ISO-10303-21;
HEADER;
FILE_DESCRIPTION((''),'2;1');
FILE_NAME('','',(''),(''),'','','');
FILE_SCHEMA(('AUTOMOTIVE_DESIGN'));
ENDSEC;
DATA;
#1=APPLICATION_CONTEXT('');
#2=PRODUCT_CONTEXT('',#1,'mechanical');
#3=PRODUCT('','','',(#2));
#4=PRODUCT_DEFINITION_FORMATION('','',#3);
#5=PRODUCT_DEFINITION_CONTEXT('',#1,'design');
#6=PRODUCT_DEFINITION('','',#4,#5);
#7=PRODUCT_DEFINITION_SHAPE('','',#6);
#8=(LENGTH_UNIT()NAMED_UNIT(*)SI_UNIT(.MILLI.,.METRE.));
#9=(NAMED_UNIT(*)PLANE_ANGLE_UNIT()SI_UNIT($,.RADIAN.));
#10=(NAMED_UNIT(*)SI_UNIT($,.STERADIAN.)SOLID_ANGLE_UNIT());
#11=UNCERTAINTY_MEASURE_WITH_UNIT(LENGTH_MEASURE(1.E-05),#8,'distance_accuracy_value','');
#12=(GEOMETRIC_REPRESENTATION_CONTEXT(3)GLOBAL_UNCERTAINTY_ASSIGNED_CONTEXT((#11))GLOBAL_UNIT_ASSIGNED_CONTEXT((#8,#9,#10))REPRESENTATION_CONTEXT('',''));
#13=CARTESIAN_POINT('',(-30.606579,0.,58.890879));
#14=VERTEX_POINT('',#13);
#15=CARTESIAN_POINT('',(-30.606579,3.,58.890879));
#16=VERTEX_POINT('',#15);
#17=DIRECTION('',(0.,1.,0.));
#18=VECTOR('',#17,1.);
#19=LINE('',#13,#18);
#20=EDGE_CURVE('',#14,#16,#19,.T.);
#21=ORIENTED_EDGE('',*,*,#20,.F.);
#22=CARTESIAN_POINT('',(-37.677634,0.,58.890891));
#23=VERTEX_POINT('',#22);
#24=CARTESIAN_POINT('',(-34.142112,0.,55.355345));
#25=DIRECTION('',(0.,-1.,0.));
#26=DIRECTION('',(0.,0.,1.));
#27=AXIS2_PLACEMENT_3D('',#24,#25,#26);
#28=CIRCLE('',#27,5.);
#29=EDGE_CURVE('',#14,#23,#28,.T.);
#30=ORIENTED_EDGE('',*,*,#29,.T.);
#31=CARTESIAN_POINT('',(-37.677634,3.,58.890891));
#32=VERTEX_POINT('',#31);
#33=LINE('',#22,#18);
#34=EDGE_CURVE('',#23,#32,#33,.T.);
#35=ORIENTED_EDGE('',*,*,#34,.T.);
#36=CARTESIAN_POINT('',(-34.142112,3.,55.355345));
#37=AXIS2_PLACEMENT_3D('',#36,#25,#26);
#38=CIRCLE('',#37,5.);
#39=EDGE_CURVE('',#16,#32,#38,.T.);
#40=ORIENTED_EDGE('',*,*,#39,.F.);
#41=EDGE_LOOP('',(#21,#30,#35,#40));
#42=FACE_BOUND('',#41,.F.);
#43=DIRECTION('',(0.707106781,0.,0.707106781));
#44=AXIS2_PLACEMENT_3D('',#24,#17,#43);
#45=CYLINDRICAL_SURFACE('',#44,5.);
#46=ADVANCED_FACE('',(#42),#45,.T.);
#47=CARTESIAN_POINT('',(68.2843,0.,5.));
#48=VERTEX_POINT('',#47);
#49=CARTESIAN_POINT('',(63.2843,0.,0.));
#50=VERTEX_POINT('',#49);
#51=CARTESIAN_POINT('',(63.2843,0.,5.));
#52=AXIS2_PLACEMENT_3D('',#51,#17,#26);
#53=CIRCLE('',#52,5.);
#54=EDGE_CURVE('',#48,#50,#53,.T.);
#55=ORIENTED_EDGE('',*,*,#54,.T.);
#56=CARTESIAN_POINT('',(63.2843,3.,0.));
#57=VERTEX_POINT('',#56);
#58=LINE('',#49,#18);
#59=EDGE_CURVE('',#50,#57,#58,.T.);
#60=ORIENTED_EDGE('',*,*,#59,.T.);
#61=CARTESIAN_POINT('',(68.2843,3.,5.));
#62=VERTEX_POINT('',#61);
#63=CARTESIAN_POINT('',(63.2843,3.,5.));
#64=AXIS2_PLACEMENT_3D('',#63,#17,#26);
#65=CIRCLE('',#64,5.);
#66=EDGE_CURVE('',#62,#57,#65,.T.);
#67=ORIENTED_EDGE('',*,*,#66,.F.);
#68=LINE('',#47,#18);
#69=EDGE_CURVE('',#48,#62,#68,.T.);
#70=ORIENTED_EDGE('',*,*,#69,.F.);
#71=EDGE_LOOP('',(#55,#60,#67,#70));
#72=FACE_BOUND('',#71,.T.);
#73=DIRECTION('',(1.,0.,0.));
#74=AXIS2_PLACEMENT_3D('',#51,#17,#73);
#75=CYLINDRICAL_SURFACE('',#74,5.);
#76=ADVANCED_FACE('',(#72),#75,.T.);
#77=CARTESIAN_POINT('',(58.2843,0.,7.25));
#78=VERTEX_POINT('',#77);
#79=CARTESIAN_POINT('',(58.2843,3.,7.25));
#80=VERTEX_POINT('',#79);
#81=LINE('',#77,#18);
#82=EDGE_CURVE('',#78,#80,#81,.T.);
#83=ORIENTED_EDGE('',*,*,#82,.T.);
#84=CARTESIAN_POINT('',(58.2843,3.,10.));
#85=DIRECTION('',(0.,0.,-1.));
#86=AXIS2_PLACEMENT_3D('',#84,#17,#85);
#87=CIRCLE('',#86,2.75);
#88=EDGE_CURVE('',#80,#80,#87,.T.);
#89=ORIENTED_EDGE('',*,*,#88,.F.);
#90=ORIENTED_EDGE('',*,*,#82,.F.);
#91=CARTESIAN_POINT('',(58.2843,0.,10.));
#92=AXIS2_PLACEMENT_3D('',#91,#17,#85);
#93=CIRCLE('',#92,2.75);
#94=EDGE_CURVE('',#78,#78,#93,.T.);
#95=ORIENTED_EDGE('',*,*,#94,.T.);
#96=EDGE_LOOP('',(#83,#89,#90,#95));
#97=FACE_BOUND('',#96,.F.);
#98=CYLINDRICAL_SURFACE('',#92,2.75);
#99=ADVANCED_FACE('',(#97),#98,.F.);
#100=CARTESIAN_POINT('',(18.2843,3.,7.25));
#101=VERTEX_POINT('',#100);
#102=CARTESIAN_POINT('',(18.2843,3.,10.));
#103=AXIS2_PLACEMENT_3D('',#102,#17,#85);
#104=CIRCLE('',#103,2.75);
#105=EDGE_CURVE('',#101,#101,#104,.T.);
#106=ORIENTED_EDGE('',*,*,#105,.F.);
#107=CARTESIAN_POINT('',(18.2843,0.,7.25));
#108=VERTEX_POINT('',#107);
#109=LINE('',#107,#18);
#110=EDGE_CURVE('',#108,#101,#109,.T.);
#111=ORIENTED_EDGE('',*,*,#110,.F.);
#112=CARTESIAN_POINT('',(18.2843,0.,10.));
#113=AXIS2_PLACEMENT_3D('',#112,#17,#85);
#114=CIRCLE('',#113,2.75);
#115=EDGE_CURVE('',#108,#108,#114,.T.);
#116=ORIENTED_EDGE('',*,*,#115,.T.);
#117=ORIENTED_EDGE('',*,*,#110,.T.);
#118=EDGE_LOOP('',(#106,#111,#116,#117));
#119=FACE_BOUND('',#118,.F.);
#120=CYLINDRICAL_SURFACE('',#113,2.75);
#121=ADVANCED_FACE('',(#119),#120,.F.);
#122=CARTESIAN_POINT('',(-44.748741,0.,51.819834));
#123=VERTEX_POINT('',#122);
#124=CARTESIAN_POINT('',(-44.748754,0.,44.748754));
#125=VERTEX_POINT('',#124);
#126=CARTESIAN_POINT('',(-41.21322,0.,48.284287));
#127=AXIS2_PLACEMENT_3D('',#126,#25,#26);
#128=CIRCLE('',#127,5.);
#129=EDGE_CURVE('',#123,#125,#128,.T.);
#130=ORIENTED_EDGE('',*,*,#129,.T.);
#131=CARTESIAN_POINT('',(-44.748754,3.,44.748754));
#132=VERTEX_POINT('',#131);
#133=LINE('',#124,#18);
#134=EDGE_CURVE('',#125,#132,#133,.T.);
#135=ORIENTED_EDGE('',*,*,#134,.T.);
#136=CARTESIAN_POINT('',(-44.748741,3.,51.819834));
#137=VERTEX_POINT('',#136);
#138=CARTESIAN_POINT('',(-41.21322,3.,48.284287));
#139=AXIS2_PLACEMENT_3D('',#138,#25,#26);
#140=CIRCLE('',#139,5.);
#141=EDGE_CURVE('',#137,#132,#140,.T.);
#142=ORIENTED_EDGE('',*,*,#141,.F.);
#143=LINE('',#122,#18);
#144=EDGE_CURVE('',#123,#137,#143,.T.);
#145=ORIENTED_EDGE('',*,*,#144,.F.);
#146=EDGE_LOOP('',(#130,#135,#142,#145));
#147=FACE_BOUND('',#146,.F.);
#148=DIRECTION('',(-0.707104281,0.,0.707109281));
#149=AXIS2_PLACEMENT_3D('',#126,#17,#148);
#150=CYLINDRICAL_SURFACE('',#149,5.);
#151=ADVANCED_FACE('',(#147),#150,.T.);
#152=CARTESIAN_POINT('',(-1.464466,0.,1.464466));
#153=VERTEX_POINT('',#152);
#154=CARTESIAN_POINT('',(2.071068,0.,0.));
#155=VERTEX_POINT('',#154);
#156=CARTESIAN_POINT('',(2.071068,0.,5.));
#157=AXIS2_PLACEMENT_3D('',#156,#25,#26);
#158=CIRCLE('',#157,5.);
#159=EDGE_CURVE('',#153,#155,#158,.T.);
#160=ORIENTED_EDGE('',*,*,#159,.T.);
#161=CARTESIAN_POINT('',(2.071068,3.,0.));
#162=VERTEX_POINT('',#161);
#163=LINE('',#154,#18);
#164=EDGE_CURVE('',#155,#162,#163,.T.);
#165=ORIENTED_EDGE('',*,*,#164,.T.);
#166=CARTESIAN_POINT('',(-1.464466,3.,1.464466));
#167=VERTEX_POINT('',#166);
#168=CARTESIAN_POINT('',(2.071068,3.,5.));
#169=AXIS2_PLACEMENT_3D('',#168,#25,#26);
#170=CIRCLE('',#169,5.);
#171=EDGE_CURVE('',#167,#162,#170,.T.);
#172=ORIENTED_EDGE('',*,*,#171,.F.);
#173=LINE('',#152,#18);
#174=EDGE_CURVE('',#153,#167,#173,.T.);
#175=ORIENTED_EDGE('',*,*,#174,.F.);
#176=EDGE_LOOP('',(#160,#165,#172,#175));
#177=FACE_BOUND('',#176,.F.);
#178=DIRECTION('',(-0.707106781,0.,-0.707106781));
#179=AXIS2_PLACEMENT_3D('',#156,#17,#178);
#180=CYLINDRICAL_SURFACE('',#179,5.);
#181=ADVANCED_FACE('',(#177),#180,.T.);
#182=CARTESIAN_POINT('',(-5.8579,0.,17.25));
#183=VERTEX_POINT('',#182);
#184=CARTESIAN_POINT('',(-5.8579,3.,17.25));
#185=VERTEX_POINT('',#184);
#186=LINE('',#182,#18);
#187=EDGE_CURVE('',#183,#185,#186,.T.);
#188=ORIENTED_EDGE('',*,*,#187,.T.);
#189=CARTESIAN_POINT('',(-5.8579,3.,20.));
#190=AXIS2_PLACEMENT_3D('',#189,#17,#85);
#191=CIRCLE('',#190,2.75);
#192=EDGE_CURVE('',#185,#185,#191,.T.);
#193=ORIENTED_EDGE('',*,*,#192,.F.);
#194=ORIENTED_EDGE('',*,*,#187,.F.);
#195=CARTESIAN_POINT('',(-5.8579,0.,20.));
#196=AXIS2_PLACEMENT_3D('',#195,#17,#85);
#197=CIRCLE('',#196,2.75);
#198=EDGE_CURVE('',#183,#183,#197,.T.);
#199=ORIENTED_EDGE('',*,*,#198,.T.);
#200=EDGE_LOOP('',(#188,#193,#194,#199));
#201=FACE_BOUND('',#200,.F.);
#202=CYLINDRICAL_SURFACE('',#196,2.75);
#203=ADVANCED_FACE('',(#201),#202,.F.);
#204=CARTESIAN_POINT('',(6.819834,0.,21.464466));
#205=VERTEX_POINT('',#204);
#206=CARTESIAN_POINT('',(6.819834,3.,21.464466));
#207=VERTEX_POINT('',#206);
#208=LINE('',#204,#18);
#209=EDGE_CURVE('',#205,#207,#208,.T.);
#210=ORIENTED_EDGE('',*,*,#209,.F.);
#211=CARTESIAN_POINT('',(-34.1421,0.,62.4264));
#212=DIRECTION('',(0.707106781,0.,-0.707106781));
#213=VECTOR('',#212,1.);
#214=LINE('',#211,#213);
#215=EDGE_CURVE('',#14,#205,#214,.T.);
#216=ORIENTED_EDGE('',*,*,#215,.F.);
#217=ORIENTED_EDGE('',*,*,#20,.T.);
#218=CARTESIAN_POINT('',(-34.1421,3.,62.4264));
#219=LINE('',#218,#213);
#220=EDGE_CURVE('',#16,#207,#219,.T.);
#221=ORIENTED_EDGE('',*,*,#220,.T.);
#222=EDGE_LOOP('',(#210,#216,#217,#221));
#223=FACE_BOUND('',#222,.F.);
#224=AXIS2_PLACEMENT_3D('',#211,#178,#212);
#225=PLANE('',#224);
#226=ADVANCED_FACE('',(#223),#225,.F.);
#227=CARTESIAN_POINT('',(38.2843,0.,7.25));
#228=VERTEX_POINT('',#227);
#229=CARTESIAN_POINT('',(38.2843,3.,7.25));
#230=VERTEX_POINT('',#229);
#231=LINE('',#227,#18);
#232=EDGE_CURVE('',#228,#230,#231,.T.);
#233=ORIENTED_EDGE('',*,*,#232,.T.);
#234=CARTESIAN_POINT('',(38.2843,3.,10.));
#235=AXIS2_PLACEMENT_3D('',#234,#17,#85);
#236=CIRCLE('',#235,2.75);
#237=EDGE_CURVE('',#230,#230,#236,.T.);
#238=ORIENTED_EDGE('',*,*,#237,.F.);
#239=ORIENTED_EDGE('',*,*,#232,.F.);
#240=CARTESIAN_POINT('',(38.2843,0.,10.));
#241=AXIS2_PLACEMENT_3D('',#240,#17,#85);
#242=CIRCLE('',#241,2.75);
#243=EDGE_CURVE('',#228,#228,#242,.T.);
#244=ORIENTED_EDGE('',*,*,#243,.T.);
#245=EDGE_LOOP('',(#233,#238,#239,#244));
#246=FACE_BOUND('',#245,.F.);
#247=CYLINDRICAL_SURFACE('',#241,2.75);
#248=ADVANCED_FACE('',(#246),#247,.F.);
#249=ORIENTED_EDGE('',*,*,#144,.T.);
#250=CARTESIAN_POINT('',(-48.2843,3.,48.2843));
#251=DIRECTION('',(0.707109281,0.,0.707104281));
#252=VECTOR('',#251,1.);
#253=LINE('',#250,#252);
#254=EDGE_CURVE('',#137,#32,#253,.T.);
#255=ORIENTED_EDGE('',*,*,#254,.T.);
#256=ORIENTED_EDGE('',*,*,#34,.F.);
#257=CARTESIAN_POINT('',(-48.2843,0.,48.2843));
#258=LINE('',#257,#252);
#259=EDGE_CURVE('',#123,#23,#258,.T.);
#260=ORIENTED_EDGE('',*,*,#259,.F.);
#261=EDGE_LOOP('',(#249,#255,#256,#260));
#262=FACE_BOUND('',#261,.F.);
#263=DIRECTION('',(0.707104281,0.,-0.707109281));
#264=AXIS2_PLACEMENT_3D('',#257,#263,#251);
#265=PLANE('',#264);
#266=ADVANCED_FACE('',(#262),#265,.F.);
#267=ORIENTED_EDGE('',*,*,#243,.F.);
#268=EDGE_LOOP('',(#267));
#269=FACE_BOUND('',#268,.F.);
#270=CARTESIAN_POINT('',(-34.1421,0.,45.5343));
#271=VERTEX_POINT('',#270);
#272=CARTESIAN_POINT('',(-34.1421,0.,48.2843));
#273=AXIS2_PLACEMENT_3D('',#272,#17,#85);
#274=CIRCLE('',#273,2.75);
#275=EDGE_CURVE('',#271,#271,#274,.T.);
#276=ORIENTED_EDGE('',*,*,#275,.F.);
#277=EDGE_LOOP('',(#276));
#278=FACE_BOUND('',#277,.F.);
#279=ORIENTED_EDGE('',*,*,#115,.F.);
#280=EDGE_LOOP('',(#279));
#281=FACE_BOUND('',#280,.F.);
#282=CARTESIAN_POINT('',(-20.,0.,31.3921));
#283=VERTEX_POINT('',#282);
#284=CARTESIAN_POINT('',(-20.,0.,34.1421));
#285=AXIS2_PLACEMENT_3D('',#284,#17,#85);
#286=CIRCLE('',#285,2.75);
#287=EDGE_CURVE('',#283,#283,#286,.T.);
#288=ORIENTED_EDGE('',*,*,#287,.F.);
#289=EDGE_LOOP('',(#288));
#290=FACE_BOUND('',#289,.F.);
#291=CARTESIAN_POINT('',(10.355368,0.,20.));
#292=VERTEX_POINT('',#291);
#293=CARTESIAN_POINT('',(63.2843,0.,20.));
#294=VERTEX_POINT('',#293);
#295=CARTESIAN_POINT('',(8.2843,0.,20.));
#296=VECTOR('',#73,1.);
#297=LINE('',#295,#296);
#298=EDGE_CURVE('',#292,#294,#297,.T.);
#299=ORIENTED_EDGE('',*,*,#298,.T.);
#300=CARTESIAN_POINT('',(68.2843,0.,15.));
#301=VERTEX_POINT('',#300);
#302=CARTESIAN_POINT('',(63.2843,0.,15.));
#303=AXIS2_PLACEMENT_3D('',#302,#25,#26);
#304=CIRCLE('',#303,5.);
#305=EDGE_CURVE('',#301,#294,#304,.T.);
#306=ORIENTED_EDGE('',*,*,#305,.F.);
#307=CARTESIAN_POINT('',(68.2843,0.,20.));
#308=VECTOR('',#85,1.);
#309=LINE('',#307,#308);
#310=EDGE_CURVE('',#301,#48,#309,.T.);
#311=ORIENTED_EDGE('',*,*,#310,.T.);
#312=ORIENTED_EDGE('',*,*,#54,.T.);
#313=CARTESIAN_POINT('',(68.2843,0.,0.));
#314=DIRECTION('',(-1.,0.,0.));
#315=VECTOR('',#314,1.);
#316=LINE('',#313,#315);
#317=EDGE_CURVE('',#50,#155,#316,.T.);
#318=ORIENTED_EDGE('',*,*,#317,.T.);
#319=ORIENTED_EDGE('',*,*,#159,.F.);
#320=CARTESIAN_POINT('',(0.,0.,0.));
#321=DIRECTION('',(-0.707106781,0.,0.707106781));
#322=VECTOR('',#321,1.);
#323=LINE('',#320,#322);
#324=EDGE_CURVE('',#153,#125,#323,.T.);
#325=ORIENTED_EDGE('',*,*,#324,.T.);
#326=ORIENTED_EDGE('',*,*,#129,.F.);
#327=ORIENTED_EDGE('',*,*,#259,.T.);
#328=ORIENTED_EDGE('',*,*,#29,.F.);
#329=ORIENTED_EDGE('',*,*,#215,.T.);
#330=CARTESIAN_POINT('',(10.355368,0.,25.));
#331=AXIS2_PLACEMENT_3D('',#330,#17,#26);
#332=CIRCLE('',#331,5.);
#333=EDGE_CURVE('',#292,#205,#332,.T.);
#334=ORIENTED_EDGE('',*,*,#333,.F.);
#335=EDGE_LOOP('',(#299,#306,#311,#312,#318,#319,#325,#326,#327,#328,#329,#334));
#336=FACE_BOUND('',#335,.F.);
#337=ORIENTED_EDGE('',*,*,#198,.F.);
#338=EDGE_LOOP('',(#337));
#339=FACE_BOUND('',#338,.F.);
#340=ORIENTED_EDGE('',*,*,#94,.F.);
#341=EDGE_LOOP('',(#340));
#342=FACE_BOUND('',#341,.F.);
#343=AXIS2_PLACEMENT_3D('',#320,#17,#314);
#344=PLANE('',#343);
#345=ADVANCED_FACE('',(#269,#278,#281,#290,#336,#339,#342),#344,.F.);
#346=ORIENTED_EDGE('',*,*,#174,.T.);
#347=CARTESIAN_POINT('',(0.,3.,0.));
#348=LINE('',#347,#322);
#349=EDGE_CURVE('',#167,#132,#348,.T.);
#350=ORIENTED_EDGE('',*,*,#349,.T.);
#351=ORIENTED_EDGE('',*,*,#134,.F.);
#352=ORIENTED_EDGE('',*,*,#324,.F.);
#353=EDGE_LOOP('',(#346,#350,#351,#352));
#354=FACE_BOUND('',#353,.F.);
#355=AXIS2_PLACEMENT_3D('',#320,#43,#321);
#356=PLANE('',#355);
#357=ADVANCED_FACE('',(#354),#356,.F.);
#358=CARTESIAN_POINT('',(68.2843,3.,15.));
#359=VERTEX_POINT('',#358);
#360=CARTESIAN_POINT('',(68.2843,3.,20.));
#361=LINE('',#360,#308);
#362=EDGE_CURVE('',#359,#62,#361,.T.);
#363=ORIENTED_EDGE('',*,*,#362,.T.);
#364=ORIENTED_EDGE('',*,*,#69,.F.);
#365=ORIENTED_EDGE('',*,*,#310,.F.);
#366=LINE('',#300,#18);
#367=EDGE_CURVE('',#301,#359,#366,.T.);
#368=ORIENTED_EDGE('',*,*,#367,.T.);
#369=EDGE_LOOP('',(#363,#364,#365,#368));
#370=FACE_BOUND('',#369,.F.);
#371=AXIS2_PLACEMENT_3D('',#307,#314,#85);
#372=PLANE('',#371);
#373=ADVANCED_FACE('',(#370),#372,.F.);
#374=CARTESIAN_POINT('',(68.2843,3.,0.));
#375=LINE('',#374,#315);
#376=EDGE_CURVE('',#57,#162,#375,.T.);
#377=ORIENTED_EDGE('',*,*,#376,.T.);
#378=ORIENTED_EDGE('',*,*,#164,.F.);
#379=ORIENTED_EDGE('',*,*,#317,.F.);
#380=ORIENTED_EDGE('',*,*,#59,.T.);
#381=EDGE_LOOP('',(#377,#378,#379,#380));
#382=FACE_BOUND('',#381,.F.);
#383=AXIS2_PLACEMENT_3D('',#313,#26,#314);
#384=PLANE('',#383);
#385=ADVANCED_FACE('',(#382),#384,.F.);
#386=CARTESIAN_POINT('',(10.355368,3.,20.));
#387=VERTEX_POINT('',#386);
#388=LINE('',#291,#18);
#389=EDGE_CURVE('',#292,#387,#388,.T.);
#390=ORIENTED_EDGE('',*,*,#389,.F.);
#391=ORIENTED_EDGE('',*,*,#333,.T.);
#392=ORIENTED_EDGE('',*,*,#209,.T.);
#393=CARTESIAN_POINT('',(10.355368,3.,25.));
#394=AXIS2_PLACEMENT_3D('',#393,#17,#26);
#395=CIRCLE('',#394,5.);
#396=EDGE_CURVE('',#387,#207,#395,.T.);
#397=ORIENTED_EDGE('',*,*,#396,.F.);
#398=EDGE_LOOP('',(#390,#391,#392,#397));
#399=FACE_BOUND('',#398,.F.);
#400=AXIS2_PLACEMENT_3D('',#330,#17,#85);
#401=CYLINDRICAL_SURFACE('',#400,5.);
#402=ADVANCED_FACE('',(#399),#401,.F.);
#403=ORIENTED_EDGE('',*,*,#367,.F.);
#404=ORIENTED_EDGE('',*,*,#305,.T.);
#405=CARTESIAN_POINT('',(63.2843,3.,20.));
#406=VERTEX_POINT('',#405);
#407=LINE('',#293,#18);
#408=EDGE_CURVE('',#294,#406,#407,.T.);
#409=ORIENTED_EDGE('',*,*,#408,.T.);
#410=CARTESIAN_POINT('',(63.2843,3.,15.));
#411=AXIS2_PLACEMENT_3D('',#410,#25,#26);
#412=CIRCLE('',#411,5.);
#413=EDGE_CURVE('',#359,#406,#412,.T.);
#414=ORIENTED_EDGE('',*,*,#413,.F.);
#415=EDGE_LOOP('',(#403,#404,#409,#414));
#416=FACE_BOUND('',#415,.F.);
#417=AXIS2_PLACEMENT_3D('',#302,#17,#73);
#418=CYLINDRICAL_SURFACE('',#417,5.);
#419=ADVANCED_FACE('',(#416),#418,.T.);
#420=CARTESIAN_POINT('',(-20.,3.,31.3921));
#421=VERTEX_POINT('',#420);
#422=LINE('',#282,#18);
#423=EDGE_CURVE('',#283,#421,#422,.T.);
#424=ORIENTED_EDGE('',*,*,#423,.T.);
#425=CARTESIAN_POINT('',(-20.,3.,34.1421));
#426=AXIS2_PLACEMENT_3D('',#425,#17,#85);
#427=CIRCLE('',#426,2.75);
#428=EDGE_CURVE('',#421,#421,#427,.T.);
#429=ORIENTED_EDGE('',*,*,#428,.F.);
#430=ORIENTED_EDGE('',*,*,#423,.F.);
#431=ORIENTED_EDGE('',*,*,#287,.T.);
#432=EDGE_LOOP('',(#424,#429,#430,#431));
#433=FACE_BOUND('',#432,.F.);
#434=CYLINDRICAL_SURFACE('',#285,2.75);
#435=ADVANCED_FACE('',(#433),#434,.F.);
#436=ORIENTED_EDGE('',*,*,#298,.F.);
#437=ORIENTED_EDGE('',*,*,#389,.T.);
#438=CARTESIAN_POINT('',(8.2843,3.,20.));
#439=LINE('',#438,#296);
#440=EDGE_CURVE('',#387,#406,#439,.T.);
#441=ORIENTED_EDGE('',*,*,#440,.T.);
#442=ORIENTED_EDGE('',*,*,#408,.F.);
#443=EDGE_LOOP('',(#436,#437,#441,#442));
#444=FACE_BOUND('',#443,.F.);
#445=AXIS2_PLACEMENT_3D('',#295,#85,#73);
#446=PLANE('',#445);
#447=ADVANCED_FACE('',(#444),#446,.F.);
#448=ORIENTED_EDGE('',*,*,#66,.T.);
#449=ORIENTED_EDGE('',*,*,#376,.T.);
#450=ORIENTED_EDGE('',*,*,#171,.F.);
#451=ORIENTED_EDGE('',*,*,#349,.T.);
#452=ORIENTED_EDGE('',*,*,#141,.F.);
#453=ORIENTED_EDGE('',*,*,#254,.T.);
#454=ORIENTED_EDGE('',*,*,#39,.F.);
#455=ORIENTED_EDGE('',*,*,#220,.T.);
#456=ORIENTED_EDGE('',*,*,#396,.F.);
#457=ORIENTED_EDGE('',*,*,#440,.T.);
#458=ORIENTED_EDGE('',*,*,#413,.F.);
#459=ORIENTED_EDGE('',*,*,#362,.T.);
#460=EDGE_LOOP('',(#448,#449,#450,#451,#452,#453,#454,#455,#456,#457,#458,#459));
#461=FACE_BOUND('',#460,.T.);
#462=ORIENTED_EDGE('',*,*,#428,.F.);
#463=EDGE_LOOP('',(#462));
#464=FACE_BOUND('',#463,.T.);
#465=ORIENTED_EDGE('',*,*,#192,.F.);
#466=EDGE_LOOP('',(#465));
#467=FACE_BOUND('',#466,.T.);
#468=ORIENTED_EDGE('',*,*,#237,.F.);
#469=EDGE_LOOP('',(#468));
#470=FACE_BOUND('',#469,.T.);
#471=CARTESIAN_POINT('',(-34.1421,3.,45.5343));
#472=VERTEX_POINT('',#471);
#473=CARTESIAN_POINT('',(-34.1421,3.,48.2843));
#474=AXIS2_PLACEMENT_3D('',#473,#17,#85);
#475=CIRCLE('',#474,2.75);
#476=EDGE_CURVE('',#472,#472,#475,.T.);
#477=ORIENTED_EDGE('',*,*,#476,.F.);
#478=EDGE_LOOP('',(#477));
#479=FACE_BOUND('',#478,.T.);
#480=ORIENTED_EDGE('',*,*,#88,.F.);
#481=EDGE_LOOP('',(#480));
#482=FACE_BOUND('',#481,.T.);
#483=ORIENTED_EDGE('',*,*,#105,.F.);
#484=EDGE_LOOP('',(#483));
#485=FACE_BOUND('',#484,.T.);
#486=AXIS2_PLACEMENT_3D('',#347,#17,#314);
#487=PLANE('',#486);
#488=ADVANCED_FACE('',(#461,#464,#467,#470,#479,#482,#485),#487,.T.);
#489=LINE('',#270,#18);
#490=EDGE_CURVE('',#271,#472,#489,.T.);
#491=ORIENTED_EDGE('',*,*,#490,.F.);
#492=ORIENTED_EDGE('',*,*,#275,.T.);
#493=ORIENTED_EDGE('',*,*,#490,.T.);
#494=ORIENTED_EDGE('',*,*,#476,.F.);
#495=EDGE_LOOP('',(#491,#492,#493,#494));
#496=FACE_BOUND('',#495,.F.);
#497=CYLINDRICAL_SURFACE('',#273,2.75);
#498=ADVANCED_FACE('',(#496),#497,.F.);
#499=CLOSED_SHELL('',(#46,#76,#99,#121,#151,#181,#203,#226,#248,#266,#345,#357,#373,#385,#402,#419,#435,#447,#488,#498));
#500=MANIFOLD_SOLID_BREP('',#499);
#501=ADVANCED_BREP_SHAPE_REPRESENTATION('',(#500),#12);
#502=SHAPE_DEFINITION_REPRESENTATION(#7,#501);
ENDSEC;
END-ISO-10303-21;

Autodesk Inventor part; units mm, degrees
ref_plane "YZ Plane" through (0, 0, 0) normal (1, 0, 0) x (0, 1, 0)
ref_plane "XZ Plane" through (0, 0, 0) normal (0, 1, 0) x (-1, 0, 0)
ref_plane "XY Plane" through (0, 0, 0) normal (0, 0, 1) x (1, 0, 0)
sketch "Skizze1" plane through (0, 0, 0) normal (0, 1, 0) x (-1, 0, 0)
  line L0 (-68.2843, 0) -> (0, 0)
  line L1 (0, 0) -> (48.2843, 48.2843)
  line L2 (48.2843, 48.2843) -> (34.1421, 62.4264)
  line L3 (34.1421, 62.4264) -> (-8.2843, 20)
  line L4 (-8.2843, 20) -> (-68.2843, 20)
  line L5 (-68.2843, 20) -> (-68.2843, 0)
  line L6 (-68.2843, 10) -> (-4.1421, 10) construction
  line L7 (-4.1421, 10) -> (41.2132, 55.3553) construction
  point P0 (-58.2843, 10)
  point P1 (-38.2843, 10)
  point P2 (-18.2843, 10)
  point P3 (5.8579, 20)
  point P4 (34.1421, 48.2843)
  point P5 (20, 34.1421)
  dimension "d3" = 60
  dimension "d4" = 20
  dimension "d5" = 135
  dimension "d6" = 10
  dimension "d7" = 30
  dimension "d8" = 50
  dimension "d9" = 10
  dimension "d10" = 30
  dimension "d11" = 50
extrude "Extrusion1" add sketch "Skizze1" along normal blind 3
fillet "Rundung1" radius 5 6 edges at (-34.1421, 1.5, 62.4264) (-48.2843, 1.5, 48.2843) (8.2843, 1.5, 20) (0, 1.5, 0) (68.2843, 1.5, 20) (68.2843, 1.5, 0)
hole "Bohrung1" at (58.2843, 0, 10) at (38.2843, 0, 10) at (18.2843, 0, 10) at (-5.8579, 0, 20) at (-34.1421, 0, 48.2843) at (-20, 0, 34.1421) direction (0, 1, 0) diameter 5.5 end through all clearance for "Flachkopfsenkschraube DIN EN ISO 2009" size "M5" standard "DIN"
equation "\"d9\" = d6"
equation "\"d10\" = d7"
equation "\"d11\" = d8"
equation "\"d_tol\" = 0.3"
equation "\"d_wand\" = 1.5"
equation "\"D_oct\" = 3621.32034"
equation "\"d_traeger\" = 625"
equation "\"D_dode\" = 8196.15242"
equation "\"D_hexadeca\" = 7541.00924"
equation "\"r_rasp_pi\" = 3"
equation "\"b_rasp_pi\" = 56"
equation "\"l_rasp_pi\" = 85"
equation "\"w_kamera_vert\" = 41deg"
equation "\"w_kamera_hori\" = 66deg"
properties part number "Verbinder_45deg"
